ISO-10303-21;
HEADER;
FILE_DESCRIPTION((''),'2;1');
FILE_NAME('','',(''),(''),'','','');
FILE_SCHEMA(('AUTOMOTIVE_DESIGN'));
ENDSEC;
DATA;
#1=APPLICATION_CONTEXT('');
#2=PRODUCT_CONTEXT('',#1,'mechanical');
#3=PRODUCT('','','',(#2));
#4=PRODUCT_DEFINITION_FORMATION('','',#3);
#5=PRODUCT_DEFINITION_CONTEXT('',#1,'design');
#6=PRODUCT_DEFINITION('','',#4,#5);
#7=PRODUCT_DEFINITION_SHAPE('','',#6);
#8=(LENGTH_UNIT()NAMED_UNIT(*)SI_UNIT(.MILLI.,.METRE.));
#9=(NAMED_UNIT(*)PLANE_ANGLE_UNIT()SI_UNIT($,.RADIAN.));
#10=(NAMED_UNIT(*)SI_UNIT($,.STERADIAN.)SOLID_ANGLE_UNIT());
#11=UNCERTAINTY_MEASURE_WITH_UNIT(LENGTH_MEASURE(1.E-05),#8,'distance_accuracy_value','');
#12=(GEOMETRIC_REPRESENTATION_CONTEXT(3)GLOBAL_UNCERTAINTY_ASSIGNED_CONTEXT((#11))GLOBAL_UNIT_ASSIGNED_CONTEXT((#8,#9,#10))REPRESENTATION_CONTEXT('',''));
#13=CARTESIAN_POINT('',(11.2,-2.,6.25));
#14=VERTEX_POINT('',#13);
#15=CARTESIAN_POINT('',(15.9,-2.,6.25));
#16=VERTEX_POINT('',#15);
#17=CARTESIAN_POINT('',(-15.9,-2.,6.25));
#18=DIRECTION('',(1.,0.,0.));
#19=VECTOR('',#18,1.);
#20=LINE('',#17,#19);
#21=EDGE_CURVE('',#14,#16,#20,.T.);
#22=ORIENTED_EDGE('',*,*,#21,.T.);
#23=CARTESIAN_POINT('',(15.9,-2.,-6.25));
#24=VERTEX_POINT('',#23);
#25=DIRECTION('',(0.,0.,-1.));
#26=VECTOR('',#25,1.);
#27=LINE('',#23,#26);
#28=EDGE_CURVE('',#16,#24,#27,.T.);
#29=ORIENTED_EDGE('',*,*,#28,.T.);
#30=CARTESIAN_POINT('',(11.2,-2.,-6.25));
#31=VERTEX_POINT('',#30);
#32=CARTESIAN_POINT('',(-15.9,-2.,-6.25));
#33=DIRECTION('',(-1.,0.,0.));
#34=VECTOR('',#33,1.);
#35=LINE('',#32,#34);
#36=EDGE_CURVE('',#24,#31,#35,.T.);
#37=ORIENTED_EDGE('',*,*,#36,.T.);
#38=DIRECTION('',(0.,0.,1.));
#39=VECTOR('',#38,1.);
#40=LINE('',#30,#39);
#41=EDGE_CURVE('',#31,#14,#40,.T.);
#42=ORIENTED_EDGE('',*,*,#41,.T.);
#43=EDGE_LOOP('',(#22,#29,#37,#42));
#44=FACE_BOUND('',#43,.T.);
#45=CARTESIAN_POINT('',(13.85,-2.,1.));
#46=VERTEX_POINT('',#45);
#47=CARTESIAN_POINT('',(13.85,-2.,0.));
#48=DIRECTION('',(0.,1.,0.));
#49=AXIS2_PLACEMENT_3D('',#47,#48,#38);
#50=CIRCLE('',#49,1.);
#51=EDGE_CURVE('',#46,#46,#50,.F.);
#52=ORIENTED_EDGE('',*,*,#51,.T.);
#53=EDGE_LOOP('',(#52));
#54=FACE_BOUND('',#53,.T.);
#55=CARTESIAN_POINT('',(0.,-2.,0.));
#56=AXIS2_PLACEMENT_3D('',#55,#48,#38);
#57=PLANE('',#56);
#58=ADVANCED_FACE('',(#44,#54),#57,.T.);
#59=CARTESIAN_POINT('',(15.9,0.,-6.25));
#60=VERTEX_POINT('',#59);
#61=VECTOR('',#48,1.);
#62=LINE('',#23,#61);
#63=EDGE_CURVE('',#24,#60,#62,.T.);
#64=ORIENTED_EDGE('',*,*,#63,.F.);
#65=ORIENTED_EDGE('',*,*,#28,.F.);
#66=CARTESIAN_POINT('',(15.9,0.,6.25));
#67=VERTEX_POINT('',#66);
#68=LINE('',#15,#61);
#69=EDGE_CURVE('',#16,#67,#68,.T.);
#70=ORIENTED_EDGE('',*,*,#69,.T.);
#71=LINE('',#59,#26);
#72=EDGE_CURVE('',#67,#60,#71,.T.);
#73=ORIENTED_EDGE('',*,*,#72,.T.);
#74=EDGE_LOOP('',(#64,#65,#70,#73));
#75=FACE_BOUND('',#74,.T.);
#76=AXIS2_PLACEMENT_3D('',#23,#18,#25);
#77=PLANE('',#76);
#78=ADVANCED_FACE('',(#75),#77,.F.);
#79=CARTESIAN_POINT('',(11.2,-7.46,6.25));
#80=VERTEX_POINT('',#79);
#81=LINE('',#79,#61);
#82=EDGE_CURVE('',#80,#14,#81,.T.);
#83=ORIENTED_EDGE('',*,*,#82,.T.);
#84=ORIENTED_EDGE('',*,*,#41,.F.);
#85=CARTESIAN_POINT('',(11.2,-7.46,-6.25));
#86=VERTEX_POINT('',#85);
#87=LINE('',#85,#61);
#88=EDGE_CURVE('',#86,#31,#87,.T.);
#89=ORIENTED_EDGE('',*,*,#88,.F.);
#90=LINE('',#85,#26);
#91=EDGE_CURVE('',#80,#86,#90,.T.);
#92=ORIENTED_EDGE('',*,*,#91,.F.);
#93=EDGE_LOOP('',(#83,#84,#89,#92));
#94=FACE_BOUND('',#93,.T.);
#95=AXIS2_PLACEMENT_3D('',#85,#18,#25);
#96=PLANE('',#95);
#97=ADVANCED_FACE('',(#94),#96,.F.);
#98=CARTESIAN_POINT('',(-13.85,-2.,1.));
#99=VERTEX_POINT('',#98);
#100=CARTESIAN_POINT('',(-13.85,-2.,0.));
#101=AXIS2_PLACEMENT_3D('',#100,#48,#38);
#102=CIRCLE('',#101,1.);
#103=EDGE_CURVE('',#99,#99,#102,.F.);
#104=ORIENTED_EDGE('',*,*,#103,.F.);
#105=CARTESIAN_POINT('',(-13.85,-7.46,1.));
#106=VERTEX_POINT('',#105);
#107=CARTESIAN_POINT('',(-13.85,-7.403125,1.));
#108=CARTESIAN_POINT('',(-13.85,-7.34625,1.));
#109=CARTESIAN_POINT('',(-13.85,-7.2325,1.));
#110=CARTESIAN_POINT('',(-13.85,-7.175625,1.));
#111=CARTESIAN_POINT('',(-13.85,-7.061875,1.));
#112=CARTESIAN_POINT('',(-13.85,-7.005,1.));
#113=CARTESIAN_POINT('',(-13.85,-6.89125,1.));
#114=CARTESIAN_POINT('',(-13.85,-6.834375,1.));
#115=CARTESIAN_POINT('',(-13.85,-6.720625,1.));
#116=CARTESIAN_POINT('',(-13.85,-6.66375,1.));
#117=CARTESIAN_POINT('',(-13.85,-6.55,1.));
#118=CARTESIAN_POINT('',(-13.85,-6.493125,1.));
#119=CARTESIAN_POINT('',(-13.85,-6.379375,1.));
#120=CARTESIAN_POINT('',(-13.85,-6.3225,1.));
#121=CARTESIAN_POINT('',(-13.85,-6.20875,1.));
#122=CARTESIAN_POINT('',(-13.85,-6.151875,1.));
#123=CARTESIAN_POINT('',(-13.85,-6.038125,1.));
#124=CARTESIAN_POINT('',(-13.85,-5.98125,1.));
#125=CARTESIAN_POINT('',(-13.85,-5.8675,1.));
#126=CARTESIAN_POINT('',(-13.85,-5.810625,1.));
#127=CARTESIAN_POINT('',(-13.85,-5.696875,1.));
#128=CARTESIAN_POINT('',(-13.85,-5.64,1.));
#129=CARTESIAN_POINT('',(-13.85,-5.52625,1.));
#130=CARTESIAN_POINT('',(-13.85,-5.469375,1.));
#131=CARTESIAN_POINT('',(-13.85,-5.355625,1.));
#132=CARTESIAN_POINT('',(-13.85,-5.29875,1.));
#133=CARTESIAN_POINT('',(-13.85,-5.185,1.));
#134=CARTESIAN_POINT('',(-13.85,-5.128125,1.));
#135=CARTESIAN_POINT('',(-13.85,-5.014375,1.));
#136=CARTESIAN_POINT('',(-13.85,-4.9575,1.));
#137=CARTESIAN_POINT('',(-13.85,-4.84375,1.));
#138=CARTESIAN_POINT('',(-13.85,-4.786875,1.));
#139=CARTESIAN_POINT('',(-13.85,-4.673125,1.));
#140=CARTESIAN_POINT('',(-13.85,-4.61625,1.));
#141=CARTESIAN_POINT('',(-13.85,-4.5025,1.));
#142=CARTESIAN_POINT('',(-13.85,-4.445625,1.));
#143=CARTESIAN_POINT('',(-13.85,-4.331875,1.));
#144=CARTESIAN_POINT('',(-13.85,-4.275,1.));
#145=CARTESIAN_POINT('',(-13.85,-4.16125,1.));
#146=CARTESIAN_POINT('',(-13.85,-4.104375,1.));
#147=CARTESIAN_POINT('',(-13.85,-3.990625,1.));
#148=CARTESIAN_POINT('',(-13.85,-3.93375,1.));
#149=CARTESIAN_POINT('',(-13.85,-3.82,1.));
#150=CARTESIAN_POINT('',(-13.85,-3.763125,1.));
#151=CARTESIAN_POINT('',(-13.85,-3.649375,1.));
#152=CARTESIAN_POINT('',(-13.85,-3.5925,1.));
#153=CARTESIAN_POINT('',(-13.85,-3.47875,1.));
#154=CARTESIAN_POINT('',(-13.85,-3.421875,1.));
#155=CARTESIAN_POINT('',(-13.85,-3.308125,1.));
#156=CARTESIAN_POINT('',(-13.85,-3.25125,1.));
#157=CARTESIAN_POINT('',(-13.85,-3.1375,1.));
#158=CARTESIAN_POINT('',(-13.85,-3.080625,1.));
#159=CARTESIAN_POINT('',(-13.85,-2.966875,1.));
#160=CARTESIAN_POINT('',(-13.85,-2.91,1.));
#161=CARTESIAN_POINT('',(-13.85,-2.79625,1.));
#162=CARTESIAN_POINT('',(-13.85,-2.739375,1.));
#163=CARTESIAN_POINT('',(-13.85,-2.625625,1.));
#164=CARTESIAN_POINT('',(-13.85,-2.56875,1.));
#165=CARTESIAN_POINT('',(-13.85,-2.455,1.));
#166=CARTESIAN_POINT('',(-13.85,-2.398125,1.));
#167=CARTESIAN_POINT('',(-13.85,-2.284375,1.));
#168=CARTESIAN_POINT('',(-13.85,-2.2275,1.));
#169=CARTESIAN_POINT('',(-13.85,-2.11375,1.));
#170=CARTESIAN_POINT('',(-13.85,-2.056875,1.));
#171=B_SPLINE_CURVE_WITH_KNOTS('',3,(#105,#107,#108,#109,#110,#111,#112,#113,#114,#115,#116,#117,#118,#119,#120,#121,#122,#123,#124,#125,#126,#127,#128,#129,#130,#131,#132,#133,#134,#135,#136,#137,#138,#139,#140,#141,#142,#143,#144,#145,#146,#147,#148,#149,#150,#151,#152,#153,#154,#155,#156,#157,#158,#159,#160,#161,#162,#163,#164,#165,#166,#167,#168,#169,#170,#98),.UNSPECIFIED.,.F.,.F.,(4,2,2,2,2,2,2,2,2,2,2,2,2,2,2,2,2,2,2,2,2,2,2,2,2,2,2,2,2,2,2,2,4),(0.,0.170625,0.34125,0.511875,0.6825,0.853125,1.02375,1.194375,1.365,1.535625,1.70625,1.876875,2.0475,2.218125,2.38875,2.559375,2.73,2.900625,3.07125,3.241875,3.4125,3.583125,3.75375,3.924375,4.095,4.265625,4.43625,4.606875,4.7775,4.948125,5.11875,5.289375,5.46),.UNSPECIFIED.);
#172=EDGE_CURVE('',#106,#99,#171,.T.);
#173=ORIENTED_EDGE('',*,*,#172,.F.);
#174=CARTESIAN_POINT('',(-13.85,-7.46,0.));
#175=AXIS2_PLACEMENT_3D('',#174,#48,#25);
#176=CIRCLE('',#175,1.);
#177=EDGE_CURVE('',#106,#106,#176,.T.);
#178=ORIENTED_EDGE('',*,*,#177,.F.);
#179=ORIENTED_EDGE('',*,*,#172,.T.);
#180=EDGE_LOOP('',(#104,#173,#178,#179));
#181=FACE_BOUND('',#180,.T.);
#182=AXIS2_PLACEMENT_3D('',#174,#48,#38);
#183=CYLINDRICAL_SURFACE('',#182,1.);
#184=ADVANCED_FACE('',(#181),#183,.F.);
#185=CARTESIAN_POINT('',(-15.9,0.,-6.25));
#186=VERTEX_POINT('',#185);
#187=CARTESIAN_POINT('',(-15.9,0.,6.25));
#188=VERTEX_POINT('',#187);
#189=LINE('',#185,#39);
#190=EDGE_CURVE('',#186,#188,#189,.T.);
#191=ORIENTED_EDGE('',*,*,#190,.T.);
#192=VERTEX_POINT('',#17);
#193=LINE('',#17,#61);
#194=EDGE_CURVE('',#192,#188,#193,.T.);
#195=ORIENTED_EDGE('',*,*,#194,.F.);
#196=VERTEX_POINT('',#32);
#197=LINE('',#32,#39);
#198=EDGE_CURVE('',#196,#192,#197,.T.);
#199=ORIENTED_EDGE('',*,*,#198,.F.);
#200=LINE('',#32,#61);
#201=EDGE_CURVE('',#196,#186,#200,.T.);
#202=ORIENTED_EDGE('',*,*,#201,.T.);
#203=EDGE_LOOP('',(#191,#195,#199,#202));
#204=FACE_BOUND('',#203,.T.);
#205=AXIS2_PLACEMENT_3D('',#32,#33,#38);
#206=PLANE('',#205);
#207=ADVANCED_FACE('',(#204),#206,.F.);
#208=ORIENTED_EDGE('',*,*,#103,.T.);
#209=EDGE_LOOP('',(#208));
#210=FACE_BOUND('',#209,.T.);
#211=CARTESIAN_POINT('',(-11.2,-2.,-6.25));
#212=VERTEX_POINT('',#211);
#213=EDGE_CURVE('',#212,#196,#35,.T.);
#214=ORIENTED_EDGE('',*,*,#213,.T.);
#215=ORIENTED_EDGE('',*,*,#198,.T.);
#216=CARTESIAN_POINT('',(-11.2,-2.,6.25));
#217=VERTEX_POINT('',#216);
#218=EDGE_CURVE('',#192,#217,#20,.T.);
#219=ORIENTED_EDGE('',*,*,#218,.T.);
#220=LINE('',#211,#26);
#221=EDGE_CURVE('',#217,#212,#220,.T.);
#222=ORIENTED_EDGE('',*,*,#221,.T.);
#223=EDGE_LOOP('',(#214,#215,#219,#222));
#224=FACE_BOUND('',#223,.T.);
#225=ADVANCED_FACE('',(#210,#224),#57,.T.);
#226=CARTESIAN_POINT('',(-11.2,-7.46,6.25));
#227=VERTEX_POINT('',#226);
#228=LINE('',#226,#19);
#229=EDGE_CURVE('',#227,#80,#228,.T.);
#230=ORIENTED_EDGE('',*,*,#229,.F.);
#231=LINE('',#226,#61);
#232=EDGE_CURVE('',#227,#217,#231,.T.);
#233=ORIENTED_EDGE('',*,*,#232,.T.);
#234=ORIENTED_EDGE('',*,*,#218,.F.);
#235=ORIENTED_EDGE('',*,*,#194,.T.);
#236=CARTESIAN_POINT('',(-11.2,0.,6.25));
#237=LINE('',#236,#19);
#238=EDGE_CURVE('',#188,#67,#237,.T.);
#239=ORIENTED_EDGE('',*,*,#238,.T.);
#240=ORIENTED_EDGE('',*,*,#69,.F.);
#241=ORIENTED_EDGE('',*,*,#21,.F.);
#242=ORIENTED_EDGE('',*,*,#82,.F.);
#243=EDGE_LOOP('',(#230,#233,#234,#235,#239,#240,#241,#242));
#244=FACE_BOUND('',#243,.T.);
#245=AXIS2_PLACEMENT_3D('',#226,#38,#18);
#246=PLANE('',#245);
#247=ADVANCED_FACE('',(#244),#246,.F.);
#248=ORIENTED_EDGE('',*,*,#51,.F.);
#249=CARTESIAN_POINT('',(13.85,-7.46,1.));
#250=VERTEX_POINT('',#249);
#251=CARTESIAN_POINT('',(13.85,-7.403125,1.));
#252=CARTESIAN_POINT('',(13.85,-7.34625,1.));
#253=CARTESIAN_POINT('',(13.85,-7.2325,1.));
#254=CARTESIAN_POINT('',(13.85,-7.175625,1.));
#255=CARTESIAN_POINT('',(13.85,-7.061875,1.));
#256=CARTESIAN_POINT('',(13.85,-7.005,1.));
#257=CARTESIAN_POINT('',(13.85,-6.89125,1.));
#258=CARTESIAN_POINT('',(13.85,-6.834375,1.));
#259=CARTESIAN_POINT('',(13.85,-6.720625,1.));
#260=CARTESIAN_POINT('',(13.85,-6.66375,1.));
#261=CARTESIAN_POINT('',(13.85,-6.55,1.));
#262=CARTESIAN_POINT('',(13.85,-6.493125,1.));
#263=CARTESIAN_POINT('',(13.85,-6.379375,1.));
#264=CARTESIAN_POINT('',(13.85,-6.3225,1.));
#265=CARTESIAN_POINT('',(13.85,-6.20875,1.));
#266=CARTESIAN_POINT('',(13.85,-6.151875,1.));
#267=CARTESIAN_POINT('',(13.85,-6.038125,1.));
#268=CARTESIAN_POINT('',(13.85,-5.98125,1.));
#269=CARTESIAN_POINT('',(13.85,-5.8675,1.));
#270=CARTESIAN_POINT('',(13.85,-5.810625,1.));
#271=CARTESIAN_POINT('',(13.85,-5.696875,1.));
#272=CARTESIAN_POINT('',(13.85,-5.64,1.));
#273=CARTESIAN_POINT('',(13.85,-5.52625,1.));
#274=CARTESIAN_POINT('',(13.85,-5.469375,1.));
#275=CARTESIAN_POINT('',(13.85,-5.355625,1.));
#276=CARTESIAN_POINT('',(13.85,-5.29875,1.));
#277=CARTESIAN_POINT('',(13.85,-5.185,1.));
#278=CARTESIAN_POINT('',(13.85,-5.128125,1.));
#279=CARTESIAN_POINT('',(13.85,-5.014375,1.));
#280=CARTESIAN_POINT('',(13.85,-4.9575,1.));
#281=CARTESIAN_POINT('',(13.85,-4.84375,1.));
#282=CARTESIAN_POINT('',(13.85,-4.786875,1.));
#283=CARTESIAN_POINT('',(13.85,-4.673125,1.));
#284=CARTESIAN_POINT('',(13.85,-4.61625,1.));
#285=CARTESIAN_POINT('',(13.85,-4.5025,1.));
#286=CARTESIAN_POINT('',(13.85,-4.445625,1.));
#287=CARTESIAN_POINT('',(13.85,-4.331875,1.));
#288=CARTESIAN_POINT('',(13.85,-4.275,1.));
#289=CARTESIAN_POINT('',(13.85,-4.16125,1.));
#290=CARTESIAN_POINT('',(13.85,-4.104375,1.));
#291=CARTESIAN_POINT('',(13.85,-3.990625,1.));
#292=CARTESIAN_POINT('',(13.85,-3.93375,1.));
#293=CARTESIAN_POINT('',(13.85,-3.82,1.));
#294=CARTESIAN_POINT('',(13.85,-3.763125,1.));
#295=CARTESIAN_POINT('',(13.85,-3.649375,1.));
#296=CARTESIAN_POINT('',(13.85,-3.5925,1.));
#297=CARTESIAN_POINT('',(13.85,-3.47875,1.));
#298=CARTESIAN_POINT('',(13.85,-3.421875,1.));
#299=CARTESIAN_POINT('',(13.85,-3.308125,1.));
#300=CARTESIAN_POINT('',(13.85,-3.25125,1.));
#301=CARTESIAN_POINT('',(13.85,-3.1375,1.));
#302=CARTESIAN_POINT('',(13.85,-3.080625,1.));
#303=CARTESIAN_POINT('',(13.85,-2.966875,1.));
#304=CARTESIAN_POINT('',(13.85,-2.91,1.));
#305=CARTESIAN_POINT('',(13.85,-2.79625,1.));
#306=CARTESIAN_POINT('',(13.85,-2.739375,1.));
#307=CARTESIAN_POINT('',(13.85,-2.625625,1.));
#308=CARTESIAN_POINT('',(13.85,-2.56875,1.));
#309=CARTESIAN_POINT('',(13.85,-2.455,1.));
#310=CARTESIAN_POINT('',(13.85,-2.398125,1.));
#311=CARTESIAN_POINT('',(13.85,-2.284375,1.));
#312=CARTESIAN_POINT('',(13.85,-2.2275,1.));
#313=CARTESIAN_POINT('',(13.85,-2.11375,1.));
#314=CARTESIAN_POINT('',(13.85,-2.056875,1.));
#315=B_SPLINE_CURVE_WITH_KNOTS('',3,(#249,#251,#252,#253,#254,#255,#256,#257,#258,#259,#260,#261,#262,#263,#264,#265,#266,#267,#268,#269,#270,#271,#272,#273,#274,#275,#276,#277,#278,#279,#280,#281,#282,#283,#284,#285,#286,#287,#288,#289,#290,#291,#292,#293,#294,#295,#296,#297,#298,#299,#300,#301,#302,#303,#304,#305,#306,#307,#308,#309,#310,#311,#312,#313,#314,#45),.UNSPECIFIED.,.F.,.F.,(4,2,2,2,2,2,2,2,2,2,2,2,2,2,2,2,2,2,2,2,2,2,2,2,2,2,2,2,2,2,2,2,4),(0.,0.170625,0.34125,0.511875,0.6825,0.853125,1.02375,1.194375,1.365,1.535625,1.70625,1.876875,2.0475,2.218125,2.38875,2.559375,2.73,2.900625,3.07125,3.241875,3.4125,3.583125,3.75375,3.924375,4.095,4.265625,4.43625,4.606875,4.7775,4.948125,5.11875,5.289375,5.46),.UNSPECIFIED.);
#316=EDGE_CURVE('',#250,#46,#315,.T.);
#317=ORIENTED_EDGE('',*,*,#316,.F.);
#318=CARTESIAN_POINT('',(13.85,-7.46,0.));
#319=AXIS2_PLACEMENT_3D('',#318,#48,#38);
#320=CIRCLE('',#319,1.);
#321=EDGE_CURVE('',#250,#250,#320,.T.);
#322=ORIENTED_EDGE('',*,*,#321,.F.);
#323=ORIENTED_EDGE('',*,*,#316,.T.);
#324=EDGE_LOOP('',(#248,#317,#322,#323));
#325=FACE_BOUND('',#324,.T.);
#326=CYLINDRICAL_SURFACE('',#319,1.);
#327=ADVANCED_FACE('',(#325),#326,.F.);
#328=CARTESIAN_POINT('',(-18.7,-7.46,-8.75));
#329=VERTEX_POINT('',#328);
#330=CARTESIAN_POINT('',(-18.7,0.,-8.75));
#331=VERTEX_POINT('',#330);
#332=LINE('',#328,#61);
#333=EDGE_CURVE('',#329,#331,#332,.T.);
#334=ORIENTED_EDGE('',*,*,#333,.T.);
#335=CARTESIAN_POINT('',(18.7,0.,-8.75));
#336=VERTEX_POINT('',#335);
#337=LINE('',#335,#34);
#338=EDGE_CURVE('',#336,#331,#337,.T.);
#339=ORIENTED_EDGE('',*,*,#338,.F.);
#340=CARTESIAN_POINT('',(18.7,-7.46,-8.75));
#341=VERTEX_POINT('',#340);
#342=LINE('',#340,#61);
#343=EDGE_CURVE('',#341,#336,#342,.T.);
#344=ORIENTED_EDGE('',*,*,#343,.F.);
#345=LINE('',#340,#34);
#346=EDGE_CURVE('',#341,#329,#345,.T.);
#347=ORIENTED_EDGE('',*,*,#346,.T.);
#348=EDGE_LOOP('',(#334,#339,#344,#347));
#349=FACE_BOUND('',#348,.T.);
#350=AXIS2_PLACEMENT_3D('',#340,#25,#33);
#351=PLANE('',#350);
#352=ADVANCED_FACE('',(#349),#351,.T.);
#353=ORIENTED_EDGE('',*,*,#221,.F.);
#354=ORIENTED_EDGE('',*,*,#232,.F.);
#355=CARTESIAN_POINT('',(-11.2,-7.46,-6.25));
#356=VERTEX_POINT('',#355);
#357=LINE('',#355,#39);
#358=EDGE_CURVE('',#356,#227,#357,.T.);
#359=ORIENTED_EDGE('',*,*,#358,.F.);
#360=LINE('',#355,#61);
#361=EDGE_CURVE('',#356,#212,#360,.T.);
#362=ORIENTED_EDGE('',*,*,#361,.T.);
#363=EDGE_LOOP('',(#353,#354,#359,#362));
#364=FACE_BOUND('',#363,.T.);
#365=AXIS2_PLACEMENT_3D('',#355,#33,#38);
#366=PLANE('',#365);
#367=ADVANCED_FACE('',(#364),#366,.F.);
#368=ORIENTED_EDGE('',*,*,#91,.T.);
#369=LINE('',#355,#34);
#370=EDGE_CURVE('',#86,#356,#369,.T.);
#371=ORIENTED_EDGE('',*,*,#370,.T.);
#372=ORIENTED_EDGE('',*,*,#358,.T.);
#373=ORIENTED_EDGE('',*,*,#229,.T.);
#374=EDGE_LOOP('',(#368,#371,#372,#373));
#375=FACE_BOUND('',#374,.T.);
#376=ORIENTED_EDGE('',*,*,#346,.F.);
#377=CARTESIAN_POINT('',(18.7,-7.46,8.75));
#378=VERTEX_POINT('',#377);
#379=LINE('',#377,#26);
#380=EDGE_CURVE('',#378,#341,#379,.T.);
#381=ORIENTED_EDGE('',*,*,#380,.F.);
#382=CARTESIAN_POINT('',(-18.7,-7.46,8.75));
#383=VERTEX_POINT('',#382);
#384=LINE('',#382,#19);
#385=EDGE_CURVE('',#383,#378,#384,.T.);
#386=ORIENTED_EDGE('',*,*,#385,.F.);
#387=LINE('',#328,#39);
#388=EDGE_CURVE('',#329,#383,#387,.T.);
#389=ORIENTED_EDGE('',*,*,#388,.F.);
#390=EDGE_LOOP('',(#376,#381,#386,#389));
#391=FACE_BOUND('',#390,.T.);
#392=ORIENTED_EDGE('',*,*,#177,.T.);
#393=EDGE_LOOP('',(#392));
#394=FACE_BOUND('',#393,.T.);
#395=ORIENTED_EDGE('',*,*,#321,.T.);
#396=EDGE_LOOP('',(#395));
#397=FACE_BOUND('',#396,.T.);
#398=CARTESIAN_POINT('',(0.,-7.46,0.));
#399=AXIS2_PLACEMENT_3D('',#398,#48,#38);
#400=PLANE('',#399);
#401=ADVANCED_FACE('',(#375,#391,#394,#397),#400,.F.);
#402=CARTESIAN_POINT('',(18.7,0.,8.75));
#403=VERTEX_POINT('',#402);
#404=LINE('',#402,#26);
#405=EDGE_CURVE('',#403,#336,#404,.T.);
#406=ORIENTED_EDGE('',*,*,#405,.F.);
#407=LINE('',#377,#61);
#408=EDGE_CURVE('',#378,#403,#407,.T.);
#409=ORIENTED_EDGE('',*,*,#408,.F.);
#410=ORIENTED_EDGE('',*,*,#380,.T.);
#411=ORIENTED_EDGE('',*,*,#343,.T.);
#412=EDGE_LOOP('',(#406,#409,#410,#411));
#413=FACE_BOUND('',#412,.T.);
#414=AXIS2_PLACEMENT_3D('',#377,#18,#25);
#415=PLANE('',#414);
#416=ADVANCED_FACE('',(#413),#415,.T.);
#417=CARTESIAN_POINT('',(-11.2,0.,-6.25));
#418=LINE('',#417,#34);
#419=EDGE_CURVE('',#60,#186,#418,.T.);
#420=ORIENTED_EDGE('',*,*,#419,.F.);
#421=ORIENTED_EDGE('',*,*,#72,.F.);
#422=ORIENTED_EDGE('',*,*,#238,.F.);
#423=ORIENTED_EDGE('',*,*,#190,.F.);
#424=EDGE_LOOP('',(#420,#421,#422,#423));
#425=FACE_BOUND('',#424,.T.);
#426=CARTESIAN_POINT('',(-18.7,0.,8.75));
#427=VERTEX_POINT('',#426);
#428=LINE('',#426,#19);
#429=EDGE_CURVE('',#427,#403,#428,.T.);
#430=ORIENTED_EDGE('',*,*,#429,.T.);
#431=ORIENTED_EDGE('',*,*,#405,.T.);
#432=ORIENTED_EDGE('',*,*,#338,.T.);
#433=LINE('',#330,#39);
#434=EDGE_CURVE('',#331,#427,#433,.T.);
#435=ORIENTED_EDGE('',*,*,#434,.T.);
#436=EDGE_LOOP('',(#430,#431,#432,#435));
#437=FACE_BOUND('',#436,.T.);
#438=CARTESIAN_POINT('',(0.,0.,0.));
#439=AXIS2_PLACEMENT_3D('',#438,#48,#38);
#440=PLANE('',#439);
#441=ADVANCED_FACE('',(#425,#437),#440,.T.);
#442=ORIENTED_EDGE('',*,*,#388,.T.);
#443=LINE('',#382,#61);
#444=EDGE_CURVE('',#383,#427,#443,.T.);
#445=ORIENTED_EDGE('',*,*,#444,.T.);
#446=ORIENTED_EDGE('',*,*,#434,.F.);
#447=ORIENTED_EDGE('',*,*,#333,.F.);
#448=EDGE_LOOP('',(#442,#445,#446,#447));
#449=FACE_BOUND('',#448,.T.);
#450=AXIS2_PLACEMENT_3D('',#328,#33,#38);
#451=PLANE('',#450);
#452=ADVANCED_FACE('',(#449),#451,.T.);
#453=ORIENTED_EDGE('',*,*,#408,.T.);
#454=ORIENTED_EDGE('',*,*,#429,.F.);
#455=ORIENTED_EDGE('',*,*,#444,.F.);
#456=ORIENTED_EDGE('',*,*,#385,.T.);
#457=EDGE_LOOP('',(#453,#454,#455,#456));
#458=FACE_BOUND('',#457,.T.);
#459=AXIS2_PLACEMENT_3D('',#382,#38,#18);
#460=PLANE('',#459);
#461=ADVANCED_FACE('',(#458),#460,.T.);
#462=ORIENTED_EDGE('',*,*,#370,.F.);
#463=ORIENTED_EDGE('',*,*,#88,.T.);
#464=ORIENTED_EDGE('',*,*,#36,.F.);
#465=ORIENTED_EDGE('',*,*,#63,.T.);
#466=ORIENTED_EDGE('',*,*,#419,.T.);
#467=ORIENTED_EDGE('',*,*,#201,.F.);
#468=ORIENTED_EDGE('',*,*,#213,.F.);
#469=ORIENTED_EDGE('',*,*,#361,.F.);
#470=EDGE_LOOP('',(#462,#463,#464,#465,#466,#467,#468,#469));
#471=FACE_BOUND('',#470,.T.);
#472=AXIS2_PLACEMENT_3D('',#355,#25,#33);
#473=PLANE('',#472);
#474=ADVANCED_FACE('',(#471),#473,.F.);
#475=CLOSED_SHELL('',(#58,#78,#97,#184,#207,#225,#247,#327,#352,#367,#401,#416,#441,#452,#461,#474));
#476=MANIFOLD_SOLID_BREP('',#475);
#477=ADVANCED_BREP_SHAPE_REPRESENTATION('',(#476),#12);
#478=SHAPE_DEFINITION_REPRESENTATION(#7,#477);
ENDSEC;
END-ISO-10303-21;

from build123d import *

# Parameters (mm, degrees)
SKETCH1_W           = 37.4
SKETCH1_H           = 17.5
SKETCH1_R           = 1
SKETCH1_W_2         = 22.4
SKETCH1_H_2         = 12.5
BOSS_EXTRUDE1_DEPTH = 7.46
SKETCH2_W           = 31.8
SKETCH2_H           = 12.5
CUT_EXTRUDE1_DEPTH  = 2


with BuildPart() as part:
    # Sketch1 → Boss-Extrude1 (new body)
    with BuildSketch(Plane(origin=(0, 0, 0), x_dir=(1, 0, 0), z_dir=(0, 1, 0))):
        Rectangle(SKETCH1_W, SKETCH1_H)
        with Locations(Location((13.85, 0, 0), (0, 0, 270))):
            Circle(SKETCH1_R, mode=Mode.SUBTRACT)
        with Locations(Location((-13.85, 0, 0), (0, 0, 270))):
            Circle(SKETCH1_R, mode=Mode.SUBTRACT)
        Rectangle(SKETCH1_W_2, SKETCH1_H_2, mode=Mode.SUBTRACT)
    extrude(amount=-BOSS_EXTRUDE1_DEPTH)

    # Sketch2 → Cut-Extrude1 (cut)
    with BuildSketch(Plane(origin=(0, 0, 0), x_dir=(1, 0, 0), z_dir=(0, 1, 0))):
        Rectangle(SKETCH2_W, SKETCH2_H)
    extrude(amount=-CUT_EXTRUDE1_DEPTH, mode=Mode.SUBTRACT)


solid = part.part
